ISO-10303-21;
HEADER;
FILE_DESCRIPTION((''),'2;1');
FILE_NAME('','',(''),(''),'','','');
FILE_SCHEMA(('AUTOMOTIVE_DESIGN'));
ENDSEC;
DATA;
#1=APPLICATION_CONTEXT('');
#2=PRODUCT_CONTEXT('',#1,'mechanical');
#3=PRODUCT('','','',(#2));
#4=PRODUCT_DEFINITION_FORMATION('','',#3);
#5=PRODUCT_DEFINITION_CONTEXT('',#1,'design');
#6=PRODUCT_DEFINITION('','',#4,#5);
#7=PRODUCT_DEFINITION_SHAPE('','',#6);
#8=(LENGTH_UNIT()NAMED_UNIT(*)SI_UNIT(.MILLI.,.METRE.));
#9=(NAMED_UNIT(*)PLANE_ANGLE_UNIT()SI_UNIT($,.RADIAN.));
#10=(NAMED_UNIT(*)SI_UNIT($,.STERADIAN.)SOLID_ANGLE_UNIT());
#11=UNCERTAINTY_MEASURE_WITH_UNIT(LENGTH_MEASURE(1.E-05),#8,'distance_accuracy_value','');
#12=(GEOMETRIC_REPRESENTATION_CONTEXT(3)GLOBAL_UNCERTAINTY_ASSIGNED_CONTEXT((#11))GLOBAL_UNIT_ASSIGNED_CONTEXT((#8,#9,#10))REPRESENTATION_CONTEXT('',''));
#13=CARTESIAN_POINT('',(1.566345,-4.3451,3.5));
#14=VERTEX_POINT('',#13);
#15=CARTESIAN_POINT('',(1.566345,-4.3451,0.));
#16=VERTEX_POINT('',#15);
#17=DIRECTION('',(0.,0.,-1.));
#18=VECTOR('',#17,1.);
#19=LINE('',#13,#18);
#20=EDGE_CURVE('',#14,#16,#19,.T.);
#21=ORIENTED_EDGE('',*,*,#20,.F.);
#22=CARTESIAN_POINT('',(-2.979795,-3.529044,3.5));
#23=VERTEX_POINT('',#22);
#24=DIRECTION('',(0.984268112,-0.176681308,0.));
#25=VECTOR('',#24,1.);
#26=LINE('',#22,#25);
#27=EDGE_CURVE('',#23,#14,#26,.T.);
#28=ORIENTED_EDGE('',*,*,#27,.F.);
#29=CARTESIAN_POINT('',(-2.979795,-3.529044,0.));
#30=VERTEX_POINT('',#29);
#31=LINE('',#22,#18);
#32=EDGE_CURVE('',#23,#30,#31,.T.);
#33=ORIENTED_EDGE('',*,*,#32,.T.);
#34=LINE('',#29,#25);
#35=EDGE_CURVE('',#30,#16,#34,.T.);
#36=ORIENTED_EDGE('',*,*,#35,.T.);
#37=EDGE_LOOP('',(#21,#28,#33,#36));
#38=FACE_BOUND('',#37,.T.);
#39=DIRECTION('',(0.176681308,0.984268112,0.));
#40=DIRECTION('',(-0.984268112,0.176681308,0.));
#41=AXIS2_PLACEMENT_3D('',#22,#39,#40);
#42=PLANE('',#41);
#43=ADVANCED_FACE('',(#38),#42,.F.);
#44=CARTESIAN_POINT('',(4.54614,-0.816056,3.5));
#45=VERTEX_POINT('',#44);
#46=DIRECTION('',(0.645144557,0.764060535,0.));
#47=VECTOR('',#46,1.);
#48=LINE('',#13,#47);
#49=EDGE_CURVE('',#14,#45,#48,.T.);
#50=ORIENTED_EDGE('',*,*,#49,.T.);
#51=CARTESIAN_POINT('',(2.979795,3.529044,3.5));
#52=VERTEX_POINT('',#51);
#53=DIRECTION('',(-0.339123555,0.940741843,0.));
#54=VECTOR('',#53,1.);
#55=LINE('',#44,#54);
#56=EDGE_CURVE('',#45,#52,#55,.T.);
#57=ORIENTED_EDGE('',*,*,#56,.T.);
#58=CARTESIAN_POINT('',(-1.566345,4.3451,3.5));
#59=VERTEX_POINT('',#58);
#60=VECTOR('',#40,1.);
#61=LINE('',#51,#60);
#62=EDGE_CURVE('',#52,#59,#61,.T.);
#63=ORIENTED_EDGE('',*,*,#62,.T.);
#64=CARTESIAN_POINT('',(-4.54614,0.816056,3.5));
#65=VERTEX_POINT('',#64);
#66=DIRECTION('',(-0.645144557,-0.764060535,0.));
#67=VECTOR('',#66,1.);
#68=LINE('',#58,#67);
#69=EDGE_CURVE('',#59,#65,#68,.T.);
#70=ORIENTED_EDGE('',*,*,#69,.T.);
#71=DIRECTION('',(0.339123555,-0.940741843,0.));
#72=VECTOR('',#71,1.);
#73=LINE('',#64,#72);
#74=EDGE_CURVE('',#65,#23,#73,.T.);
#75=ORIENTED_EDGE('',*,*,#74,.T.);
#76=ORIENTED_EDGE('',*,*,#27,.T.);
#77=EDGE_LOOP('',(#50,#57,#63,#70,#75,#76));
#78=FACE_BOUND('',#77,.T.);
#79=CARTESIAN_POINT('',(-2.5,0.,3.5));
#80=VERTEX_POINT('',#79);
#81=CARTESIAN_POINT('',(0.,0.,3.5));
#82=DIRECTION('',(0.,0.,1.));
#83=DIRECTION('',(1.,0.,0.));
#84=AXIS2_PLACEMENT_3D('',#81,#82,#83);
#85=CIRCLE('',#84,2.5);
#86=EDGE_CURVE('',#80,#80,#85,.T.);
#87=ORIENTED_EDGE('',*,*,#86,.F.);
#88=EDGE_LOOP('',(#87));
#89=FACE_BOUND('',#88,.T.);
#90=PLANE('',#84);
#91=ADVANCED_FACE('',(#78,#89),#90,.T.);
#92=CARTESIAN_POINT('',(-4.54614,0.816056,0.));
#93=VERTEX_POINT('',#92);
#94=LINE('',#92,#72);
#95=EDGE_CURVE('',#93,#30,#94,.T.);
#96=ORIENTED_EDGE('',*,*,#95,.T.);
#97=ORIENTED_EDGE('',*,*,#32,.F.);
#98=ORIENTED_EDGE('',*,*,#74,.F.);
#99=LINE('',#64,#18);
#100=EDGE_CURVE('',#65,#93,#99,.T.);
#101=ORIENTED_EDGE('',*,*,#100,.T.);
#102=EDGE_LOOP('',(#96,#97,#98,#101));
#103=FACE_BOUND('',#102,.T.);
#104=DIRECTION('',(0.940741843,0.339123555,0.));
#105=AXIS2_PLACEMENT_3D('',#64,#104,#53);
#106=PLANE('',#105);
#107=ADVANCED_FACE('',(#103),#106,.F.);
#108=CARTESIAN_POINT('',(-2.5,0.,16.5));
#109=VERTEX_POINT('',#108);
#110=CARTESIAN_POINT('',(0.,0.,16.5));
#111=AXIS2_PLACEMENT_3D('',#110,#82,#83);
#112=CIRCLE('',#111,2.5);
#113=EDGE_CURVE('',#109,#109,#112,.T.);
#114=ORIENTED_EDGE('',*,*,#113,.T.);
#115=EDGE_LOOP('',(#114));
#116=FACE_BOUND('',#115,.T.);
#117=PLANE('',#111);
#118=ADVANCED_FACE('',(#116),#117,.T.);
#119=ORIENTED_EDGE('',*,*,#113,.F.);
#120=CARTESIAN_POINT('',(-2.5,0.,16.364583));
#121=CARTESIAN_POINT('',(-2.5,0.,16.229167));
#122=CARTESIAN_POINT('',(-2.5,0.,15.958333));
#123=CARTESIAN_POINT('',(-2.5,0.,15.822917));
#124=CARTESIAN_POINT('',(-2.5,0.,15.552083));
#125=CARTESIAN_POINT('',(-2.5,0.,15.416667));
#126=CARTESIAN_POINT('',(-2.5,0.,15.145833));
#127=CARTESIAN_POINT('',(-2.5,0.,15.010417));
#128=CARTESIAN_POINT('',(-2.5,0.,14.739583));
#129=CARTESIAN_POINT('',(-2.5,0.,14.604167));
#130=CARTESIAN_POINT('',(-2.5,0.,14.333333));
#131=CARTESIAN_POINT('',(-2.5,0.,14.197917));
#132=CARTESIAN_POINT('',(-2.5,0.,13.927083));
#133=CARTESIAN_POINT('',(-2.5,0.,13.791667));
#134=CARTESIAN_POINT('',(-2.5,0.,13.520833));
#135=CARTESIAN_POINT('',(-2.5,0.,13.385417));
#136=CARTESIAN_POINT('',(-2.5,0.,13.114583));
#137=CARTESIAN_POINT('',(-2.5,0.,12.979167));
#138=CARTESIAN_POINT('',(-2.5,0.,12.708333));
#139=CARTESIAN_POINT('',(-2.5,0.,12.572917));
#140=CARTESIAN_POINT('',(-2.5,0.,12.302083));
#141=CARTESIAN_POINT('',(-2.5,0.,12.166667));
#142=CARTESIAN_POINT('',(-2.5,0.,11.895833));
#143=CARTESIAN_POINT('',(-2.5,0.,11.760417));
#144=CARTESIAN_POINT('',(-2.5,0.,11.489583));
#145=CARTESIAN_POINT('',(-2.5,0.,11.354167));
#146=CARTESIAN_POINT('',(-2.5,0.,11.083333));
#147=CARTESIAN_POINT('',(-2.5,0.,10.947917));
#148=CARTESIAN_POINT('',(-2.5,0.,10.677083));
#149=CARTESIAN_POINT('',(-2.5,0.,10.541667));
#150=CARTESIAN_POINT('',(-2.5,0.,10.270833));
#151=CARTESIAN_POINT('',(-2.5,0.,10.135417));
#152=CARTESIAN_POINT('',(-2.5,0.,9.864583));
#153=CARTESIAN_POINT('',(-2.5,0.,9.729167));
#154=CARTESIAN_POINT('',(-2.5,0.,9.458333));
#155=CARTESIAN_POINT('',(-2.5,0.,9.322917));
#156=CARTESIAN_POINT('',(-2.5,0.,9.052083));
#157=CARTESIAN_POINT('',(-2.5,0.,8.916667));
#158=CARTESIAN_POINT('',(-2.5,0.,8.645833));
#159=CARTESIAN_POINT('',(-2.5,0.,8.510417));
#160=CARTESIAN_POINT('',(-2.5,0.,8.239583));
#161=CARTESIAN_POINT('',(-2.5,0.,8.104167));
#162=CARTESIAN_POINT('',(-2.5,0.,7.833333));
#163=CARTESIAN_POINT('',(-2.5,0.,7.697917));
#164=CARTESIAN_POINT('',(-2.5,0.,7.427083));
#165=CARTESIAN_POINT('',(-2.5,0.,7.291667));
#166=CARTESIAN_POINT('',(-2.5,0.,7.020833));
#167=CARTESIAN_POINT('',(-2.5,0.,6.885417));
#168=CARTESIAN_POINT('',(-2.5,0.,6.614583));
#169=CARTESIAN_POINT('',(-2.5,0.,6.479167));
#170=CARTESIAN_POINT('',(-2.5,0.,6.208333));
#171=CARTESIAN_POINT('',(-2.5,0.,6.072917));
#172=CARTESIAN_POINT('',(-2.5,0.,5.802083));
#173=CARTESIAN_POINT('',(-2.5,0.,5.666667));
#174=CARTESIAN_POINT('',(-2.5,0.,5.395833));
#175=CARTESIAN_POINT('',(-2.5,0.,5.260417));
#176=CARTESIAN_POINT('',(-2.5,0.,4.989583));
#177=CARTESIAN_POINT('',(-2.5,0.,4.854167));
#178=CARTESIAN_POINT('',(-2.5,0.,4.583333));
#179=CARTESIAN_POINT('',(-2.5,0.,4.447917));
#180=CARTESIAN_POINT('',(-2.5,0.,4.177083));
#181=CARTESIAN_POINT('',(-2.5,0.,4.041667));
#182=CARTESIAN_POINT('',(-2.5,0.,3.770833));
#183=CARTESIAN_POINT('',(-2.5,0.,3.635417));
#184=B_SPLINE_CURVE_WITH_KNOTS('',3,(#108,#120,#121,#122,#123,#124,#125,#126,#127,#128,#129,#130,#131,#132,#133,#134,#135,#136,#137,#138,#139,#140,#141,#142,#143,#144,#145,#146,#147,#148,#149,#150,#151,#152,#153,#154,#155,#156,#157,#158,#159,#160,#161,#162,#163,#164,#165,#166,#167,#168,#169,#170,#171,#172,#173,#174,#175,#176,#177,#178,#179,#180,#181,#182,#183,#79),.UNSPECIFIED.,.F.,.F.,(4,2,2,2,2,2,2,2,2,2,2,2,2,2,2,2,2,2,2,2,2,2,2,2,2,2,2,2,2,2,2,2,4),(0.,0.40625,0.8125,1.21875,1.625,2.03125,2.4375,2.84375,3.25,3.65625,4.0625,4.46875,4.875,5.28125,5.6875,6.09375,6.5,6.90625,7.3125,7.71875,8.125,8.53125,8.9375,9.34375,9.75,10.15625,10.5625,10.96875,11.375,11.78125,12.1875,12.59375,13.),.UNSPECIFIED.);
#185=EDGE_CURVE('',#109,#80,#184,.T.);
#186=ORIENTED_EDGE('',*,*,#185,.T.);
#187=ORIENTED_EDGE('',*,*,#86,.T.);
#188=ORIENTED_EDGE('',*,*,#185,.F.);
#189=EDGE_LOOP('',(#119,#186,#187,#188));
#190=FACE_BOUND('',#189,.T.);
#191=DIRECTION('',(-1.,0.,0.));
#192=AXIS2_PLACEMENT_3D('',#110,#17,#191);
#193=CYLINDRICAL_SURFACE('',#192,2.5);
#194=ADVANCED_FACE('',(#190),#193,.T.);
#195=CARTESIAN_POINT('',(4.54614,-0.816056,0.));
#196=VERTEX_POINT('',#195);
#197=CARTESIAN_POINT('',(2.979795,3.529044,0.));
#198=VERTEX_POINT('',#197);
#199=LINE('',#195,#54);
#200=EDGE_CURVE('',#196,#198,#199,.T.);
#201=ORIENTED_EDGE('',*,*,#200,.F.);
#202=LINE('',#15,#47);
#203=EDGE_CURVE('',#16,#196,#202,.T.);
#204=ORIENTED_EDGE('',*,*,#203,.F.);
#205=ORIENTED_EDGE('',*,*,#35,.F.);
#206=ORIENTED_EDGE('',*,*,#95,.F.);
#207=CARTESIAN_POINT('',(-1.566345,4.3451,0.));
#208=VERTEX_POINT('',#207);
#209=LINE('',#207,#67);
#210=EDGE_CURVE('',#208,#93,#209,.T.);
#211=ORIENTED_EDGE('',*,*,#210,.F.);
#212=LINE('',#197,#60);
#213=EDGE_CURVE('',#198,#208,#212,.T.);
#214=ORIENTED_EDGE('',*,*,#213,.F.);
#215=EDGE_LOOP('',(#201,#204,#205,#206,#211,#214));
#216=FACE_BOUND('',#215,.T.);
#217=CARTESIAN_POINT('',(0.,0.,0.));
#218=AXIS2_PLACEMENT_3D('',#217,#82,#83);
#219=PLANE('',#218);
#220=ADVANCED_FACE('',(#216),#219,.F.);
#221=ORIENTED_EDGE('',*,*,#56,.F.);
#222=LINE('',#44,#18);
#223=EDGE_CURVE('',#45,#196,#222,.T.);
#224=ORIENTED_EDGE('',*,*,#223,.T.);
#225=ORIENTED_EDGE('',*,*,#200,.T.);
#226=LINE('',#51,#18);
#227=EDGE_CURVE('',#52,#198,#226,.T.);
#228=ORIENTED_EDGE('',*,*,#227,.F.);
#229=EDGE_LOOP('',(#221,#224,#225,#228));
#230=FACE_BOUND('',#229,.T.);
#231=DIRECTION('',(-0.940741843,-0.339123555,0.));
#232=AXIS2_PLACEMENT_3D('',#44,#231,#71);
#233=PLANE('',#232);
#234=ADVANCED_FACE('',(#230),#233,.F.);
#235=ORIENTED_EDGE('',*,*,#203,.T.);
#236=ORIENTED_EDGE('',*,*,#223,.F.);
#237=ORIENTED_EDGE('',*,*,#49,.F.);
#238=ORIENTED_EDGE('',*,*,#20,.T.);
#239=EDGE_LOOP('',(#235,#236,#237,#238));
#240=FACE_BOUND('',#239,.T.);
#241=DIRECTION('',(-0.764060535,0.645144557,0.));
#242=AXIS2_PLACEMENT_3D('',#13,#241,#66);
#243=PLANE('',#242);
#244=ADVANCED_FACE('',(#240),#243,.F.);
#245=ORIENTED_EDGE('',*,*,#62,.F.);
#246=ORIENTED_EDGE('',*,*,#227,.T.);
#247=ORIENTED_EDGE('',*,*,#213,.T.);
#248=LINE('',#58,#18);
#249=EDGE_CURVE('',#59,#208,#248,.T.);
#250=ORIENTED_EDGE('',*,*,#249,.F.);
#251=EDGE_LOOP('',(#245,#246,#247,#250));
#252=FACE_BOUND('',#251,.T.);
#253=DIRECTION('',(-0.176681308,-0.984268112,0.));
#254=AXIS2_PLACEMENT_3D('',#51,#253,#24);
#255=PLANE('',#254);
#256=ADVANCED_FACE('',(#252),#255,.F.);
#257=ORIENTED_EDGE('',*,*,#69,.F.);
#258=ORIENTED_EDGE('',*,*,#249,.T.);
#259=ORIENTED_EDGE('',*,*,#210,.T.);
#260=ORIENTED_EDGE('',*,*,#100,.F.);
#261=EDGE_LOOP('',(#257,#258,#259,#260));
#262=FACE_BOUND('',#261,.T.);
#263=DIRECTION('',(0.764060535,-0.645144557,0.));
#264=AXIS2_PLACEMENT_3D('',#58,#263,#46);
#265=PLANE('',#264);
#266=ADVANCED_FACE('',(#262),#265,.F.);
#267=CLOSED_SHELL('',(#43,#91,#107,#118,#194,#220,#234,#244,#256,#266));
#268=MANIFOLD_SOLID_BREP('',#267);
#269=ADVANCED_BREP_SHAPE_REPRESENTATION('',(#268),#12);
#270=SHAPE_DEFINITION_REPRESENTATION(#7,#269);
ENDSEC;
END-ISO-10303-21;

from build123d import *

# Parameters (mm, degrees)
EXTRUDE_1_DEPTH = 3.5
SKETCH_2_R      = 2.5
EXTRUDE_2_DEPTH = 13


with BuildPart() as part:
    # ｽｹｯﾁ1 → ﾎﾞｽ - 押し出し1 (new body)
    with BuildSketch(Plane.XY):
        Polygon((-2.979795067, -3.529044445), (1.566344606, -4.345100448), (4.546139674, -0.816056004), (2.979795067, 3.529044445), (-1.566344606, 4.345100448), (-4.546139674, 0.816056004), align=None)
    extrude(amount=EXTRUDE_1_DEPTH)

    # ｽｹｯﾁ2 → ﾎﾞｽ - 押し出し2 (add)
    with BuildSketch(Plane.XY.offset(3.5)):
        with Locations(Location((0, 0, 0), (0, 0, 180))):
            Circle(SKETCH_2_R)
    extrude(amount=EXTRUDE_2_DEPTH)


solid = part.part
